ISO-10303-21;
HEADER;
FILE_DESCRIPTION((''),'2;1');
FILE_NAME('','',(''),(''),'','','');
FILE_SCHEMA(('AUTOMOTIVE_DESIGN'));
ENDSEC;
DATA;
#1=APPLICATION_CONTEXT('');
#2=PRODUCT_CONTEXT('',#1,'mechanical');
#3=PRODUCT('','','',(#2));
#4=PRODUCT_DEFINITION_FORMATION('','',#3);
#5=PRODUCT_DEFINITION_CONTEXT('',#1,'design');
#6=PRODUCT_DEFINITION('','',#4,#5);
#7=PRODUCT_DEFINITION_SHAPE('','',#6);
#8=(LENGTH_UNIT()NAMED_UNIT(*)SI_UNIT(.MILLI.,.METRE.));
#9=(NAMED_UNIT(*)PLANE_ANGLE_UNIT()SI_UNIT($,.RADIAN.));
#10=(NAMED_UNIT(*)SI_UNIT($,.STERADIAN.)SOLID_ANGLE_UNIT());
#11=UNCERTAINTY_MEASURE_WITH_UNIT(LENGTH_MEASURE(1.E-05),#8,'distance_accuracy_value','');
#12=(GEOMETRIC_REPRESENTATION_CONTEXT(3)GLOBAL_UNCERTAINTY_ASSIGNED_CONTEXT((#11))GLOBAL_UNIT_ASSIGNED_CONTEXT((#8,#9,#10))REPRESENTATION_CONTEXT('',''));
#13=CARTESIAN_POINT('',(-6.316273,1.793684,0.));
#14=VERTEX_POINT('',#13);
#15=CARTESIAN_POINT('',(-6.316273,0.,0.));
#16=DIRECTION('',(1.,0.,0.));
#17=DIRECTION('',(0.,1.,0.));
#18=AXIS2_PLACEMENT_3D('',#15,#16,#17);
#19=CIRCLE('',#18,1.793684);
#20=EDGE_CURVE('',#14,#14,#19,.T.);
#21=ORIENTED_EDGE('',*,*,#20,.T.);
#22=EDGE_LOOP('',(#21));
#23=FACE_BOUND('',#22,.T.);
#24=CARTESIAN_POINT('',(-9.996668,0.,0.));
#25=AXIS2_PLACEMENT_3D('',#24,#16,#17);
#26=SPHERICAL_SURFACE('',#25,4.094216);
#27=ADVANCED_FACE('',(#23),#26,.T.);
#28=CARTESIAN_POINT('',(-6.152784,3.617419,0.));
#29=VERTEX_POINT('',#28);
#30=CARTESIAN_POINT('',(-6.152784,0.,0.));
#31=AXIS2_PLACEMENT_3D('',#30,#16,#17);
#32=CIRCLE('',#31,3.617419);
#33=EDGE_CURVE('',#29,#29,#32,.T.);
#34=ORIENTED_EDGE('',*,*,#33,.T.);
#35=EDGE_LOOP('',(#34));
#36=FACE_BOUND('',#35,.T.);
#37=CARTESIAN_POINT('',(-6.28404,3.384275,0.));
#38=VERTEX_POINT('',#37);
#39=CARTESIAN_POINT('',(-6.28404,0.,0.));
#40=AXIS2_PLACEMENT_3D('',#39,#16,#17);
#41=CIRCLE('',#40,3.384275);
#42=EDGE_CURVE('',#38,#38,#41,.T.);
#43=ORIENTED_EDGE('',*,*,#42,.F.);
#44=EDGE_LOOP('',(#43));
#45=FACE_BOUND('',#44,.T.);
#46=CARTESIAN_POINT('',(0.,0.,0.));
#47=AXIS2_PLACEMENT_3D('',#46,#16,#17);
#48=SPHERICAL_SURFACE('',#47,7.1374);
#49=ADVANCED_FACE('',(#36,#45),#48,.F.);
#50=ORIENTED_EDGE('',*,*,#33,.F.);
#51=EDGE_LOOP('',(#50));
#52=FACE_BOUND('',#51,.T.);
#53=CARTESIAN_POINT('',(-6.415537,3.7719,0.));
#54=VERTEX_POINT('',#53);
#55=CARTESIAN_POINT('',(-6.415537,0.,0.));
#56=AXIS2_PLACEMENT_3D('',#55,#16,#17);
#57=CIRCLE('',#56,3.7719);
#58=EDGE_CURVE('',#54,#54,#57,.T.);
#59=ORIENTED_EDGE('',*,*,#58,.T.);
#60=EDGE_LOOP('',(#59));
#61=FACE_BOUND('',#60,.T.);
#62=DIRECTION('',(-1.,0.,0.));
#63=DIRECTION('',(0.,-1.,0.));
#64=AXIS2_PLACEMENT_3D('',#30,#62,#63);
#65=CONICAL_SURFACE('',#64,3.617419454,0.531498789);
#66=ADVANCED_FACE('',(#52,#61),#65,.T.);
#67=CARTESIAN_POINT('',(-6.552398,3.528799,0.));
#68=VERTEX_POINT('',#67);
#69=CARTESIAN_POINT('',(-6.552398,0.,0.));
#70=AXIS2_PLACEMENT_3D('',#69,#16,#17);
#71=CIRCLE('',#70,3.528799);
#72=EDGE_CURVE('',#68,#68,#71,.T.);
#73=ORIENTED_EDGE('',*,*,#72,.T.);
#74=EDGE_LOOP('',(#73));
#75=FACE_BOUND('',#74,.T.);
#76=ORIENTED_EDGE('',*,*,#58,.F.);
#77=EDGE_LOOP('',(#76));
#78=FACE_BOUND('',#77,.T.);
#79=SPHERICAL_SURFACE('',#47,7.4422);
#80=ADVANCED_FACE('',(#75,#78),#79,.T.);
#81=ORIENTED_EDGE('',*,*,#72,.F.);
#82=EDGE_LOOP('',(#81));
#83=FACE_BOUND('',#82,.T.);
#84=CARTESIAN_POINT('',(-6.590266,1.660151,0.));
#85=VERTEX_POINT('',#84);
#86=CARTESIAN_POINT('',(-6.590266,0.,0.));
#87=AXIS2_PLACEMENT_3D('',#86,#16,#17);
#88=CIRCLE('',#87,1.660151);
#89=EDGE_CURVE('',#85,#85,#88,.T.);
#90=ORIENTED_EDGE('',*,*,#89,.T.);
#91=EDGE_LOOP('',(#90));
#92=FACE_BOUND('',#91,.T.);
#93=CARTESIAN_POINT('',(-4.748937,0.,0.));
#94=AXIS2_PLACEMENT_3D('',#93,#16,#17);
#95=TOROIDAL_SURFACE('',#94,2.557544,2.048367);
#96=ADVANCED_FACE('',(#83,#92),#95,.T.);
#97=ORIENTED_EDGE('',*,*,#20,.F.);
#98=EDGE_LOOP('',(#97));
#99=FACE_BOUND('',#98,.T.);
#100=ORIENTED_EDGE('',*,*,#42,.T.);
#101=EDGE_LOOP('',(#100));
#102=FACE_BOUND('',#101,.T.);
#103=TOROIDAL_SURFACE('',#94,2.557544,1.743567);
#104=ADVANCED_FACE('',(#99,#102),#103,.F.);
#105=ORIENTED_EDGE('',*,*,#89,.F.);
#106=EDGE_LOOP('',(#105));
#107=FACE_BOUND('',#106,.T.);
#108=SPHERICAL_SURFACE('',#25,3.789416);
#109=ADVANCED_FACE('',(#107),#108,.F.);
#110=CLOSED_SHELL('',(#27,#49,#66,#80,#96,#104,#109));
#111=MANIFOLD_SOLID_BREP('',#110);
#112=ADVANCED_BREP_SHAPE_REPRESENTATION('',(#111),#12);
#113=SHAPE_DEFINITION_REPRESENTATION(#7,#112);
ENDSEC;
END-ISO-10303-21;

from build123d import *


with BuildPart() as part:
    # Sketch2 → Revolve3 (revolve)
    with BuildSketch(Plane.XY):
        with BuildLine():
            Line((-6.207251716, 0), (-5.902451716, 0))
            ThreePointArc((-5.902451716, 0), (-6.007248355, 0.920400933), (-6.316273469, 1.793684216))
            ThreePointArc((-6.316273469, 1.793684216), (-6.492146073, 2.592870349), (-6.284040137, 3.384275155))
            ThreePointArc((-6.284040137, 3.384275155), (-6.219504795, 3.50146239), (-6.15278435, 3.617419454))
            Line((-6.15278435, 3.617419454), (-6.415536706, 3.7719))
            ThreePointArc((-6.415536706, 3.7719), (-6.485106423, 3.650991033), (-6.552397723, 3.52879936))
            ThreePointArc((-6.552397723, 3.52879936), (-6.796883506, 2.599045854), (-6.590265895, 1.660150735))
            ThreePointArc((-6.590265895, 1.660150735), (-6.304246614, 0.851880321), (-6.207251716, 0))
        make_face()
    revolve(axis=Axis((0, 0, 0), (-1, 0, 0)))


solid = part.part
